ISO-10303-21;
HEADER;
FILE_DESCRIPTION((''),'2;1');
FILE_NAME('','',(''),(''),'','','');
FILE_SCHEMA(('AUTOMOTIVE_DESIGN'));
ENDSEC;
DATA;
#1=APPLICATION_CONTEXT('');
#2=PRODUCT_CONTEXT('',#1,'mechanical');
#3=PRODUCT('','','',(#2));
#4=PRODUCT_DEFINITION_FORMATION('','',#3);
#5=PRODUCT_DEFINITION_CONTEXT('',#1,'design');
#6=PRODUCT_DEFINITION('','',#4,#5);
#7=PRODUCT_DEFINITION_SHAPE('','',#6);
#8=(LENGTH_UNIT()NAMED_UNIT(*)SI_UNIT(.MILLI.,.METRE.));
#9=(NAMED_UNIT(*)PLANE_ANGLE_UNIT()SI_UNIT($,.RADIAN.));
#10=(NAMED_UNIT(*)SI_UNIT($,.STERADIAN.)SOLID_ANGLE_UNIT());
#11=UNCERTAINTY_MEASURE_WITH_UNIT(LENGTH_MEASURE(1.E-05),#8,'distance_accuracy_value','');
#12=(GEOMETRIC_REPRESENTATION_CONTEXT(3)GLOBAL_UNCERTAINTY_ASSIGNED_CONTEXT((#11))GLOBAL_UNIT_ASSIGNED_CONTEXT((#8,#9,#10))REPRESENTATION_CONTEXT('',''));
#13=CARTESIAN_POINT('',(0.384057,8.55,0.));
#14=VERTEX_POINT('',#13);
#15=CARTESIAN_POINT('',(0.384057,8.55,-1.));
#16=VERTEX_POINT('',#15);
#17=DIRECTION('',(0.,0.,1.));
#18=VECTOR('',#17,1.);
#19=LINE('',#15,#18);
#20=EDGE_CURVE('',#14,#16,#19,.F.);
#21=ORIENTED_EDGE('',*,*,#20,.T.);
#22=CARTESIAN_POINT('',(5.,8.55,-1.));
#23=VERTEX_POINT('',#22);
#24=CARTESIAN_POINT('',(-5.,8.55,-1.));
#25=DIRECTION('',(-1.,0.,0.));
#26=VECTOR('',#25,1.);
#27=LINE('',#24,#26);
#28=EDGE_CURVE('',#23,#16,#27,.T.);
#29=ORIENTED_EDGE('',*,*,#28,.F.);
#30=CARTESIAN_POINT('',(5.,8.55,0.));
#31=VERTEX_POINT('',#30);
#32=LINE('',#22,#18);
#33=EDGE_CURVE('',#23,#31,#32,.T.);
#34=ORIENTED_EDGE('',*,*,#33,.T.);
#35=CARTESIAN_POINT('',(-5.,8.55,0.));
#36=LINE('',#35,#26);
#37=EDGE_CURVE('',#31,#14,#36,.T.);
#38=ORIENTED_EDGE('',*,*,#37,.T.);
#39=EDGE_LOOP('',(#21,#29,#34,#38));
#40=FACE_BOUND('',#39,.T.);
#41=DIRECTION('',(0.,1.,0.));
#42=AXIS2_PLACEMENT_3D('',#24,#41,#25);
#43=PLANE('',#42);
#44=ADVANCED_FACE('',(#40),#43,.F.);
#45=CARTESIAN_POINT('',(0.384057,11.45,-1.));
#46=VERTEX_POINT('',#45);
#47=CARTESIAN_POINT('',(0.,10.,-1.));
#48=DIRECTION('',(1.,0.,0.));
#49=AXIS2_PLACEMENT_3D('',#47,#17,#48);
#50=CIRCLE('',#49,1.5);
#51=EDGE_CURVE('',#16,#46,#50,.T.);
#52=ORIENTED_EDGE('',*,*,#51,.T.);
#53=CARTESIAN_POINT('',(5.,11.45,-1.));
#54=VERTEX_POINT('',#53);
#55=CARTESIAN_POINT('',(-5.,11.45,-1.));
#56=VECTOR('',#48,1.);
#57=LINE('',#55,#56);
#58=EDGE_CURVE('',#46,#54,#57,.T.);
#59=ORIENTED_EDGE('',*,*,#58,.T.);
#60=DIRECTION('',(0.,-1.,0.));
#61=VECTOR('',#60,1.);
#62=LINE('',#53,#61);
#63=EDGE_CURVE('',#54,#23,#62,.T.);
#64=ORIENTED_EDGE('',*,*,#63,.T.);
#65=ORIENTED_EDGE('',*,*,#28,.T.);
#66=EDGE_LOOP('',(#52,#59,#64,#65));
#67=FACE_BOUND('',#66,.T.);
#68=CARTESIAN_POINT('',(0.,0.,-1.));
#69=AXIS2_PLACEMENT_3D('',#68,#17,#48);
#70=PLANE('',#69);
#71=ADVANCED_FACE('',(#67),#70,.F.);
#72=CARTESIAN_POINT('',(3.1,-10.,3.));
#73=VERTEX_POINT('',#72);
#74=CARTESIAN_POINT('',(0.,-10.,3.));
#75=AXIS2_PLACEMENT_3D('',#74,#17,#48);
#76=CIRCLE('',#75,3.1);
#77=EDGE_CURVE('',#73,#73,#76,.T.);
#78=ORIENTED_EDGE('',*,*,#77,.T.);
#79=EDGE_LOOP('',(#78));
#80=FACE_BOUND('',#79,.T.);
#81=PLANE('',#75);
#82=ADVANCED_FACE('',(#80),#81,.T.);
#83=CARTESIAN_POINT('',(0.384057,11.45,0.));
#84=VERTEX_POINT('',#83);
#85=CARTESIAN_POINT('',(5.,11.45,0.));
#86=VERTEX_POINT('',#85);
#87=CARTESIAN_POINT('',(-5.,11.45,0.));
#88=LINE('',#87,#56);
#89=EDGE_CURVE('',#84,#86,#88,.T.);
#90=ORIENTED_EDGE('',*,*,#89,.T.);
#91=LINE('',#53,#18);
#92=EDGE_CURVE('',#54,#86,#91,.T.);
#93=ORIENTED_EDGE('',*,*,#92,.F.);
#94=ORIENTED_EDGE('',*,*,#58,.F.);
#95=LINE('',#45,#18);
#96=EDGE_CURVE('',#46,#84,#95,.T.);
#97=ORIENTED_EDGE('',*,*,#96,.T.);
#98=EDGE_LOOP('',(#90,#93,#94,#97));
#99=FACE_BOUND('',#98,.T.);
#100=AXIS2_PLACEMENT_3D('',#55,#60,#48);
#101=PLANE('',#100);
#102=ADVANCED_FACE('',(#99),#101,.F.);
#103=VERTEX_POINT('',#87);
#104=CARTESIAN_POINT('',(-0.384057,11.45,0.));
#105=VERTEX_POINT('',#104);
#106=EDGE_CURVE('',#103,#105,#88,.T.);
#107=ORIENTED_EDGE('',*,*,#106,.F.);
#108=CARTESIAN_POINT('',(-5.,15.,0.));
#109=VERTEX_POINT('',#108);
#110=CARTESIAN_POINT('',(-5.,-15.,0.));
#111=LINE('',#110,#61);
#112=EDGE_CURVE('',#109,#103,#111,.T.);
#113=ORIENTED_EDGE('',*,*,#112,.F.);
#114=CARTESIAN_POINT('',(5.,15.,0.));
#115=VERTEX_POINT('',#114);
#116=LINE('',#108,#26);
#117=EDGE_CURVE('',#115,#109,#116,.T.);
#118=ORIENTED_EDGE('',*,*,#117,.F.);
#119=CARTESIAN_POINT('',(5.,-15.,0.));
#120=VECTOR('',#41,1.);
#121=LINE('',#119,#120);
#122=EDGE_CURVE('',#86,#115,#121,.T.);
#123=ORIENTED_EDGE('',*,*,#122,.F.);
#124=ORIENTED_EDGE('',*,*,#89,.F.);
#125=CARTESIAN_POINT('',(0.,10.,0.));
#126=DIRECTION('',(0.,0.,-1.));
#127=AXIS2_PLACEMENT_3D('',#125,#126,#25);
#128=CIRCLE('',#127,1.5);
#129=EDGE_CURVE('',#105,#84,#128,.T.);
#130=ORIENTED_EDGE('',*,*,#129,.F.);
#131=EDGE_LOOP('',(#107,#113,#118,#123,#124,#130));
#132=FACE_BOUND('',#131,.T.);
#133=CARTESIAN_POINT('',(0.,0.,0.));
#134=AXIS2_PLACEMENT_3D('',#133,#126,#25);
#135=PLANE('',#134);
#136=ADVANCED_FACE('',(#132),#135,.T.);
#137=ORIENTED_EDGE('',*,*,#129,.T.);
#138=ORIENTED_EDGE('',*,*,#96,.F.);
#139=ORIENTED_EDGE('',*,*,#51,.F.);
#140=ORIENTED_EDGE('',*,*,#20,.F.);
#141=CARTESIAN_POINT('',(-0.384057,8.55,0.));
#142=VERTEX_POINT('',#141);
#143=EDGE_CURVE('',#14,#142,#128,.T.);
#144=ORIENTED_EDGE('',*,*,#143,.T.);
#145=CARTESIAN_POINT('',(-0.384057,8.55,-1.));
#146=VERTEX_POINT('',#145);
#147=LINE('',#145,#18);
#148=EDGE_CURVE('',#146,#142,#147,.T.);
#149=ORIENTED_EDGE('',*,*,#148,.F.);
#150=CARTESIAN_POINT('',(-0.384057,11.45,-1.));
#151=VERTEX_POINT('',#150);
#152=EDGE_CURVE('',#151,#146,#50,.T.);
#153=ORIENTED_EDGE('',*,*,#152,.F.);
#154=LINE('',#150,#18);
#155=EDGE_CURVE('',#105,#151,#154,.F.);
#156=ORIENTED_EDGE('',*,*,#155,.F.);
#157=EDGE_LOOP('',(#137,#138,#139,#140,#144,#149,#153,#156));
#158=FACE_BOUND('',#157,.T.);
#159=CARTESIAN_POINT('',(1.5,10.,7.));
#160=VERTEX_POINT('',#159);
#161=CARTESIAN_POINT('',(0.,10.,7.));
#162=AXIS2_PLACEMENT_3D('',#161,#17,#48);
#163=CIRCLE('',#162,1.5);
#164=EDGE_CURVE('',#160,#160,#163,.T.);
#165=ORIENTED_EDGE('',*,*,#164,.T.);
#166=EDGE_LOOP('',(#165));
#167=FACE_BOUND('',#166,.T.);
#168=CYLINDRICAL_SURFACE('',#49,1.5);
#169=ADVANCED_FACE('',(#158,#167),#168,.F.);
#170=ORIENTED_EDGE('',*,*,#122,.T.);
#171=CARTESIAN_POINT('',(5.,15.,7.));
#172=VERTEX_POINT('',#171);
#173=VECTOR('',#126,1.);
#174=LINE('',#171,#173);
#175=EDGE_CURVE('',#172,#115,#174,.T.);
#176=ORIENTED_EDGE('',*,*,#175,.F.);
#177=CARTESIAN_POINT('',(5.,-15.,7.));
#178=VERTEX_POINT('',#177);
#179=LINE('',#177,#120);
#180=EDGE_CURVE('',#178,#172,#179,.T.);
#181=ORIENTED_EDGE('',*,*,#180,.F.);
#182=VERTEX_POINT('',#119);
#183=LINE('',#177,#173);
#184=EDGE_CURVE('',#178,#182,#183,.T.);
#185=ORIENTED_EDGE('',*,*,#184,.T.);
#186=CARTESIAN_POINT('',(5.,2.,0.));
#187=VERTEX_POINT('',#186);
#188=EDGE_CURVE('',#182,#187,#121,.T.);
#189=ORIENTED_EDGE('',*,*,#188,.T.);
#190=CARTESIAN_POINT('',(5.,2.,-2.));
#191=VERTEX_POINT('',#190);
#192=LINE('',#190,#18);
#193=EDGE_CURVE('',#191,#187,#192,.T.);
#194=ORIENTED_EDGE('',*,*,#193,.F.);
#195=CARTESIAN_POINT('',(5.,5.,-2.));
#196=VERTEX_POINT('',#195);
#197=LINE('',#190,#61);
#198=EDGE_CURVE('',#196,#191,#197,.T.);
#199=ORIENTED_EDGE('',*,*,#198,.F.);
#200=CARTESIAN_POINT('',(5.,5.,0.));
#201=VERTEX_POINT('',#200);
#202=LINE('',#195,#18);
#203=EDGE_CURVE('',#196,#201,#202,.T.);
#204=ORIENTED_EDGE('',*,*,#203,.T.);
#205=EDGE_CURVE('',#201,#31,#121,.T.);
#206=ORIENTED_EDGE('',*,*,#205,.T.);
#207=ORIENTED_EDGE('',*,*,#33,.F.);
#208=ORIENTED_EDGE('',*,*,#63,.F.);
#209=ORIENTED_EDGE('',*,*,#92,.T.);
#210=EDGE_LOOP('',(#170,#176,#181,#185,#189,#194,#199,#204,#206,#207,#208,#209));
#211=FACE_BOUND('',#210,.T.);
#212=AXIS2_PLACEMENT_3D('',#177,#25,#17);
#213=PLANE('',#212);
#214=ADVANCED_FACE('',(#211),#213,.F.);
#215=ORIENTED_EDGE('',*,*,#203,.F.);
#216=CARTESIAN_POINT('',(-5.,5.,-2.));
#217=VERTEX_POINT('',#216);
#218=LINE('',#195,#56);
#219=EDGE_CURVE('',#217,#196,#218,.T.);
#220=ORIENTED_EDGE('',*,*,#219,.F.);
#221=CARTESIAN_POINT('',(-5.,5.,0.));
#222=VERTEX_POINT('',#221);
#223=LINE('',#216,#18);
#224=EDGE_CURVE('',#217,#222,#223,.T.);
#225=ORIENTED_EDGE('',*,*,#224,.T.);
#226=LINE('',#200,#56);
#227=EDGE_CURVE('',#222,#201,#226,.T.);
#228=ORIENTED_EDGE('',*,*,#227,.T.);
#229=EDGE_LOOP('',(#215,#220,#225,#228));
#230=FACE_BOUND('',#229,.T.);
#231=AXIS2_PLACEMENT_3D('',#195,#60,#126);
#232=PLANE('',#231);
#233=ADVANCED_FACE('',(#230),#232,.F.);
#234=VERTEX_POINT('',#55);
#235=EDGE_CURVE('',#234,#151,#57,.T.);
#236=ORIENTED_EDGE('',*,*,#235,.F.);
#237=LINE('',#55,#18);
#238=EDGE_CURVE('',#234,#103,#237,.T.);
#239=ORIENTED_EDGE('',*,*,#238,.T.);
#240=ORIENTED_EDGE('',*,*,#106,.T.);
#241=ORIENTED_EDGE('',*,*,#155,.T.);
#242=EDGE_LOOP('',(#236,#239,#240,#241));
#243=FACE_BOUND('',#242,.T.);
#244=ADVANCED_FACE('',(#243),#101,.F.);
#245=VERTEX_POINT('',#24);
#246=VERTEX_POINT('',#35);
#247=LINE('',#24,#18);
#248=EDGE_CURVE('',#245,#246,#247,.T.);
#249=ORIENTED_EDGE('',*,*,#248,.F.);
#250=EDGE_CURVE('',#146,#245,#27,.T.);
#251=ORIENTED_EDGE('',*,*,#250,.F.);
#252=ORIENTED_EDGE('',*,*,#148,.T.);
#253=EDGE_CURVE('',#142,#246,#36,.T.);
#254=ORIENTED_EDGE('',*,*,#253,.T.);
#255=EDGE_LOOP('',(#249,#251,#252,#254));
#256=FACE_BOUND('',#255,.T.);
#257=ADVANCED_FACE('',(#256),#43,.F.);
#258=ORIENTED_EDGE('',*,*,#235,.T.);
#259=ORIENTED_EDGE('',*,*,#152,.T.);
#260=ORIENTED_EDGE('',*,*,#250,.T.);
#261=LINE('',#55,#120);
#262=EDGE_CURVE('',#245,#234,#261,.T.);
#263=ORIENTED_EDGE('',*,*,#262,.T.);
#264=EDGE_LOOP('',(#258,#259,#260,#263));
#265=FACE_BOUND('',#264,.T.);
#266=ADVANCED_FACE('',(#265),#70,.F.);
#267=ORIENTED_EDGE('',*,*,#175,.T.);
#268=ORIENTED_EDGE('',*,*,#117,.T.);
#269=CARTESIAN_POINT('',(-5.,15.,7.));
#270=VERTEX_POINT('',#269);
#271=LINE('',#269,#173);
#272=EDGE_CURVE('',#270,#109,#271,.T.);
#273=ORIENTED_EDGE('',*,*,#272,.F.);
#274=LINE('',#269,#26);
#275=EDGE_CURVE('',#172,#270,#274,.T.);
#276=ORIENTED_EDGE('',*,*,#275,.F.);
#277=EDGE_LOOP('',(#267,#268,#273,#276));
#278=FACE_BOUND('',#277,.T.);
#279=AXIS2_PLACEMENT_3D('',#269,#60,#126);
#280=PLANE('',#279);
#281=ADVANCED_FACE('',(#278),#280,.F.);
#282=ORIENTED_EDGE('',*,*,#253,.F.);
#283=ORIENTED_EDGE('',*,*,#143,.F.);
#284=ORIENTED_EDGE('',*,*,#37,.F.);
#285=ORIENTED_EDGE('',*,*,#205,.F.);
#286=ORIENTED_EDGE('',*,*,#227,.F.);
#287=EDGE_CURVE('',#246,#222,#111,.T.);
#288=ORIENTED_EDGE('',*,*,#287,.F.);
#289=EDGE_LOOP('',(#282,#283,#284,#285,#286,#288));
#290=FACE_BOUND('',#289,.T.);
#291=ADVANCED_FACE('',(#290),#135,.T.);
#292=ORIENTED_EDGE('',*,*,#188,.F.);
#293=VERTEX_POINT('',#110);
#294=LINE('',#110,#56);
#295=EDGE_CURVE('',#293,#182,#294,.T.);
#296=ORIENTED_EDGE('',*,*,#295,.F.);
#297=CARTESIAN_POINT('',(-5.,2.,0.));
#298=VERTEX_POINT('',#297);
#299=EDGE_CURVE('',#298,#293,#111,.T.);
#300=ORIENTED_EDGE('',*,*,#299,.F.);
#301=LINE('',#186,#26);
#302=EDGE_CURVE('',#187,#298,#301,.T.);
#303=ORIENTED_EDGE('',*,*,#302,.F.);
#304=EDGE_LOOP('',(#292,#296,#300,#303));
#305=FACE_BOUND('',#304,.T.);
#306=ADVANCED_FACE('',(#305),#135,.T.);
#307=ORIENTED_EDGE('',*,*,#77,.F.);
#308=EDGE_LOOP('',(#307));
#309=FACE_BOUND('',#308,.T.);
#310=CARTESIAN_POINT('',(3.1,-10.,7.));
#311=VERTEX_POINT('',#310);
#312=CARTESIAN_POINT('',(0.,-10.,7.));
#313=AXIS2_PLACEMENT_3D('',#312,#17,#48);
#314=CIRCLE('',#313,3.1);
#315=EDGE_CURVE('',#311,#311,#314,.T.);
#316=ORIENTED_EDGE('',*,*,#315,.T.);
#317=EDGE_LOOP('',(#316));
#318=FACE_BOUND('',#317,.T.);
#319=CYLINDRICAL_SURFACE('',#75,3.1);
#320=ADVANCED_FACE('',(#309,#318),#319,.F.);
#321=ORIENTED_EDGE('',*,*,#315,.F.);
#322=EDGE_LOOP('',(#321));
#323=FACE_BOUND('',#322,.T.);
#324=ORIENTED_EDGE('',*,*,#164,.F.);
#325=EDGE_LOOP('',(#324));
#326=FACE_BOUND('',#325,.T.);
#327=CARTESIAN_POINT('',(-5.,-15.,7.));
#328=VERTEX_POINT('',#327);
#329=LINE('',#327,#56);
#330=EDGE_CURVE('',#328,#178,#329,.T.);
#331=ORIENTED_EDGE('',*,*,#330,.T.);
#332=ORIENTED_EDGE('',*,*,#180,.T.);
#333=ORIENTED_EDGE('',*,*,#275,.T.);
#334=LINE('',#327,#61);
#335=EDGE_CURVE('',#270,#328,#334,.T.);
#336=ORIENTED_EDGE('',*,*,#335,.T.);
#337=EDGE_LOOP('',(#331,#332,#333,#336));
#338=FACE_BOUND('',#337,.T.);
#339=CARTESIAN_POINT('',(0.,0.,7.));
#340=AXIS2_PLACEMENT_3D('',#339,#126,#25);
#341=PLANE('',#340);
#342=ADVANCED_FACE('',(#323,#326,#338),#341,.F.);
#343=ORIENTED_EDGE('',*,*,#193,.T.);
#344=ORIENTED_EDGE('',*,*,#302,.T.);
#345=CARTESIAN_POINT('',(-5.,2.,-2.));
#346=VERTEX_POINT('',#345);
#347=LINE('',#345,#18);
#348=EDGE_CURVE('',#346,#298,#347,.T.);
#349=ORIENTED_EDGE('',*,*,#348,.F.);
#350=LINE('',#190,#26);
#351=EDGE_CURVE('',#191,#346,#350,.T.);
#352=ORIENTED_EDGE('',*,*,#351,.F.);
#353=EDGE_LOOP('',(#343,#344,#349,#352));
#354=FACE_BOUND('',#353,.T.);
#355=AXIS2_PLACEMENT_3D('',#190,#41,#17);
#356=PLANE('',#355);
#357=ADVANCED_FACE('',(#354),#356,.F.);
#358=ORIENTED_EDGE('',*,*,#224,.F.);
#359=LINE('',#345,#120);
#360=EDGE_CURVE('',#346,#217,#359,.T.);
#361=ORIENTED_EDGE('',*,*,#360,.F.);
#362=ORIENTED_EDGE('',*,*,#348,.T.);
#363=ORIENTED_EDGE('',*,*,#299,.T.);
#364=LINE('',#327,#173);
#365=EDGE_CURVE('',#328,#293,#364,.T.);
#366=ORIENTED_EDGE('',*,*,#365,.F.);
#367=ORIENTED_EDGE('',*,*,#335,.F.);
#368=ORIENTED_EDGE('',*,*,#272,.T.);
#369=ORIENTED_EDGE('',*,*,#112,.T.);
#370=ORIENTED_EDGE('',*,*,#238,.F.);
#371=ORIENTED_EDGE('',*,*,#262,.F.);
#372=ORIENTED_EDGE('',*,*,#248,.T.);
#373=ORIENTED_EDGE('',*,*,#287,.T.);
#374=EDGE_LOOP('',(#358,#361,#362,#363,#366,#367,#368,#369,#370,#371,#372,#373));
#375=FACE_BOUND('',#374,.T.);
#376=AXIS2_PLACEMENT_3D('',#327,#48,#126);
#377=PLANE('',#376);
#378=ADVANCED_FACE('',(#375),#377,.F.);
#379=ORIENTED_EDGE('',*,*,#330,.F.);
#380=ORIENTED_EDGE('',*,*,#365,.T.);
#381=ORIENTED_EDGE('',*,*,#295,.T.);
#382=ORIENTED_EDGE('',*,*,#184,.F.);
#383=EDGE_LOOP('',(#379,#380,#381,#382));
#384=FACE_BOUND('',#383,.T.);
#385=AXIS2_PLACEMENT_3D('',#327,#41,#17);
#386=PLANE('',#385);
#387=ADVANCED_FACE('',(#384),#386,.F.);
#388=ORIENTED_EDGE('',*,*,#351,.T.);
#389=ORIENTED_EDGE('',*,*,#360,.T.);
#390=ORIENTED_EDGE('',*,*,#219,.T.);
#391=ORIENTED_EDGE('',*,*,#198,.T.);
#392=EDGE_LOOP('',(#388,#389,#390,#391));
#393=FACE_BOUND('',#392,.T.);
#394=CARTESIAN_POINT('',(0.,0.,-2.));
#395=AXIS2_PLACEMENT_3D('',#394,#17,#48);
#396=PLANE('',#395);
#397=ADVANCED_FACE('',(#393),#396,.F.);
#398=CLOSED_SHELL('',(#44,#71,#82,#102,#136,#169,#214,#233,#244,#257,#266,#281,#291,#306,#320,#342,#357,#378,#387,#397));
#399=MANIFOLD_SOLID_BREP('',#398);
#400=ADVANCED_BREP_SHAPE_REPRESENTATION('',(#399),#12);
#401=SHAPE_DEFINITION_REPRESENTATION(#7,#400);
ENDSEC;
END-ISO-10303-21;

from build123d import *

# Parameters (mm, degrees)
SKETCH1_W           = 10
SKETCH1_H           = 30
MAIN_DEPTH          = 7
SKETCH2_R           = 3.1
SHAFTHOLE_DEPTH     = 4
SKETCH3_W           = 10
SKETCH3_H           = 2.9
BOSS_EXTRUDE1_DEPTH = 1
SKETCH4_R           = 1.5
CUT_EXTRUDE1_DEPTH  = 18.720045147
SKETCH5_W           = 10
SKETCH5_H           = 3
BOSS_EXTRUDE2_DEPTH = 2


with BuildPart() as part:
    # Sketch1 → Main (new body)
    with BuildSketch(Plane.XY):
        Rectangle(SKETCH1_W, SKETCH1_H)
    extrude(amount=MAIN_DEPTH)

    # Sketch2 → ShaftHole (cut)
    with BuildSketch(Plane.XY.offset(7)):
        with Locations((0, -10)):
            Circle(SKETCH2_R)
    extrude(amount=-SHAFTHOLE_DEPTH, mode=Mode.SUBTRACT)

    # Sketch3 → Boss-Extrude1 (add)
    with BuildSketch(Plane(origin=(0, 0, 0), x_dir=(-1, 0, 0), z_dir=(0, 0, -1))):
        with Locations((0, 10)):
            Rectangle(SKETCH3_W, SKETCH3_H)
    extrude(amount=BOSS_EXTRUDE1_DEPTH)

    # Sketch4 → Cut-Extrude1 (cut, through all)
    with BuildSketch(Plane.XY.offset(7)):
        with Locations((0, 10)):
            Circle(SKETCH4_R)
    extrude(amount=-CUT_EXTRUDE1_DEPTH, mode=Mode.SUBTRACT)

    # Sketch5 → Boss-Extrude2 (add)
    with BuildSketch(Plane(origin=(0, 0, 0), x_dir=(-1, 0, 0), z_dir=(0, 0, -1))):
        with Locations((0, 3.5)):
            Rectangle(SKETCH5_W, SKETCH5_H)
    extrude(amount=BOSS_EXTRUDE2_DEPTH)


solid = part.part
